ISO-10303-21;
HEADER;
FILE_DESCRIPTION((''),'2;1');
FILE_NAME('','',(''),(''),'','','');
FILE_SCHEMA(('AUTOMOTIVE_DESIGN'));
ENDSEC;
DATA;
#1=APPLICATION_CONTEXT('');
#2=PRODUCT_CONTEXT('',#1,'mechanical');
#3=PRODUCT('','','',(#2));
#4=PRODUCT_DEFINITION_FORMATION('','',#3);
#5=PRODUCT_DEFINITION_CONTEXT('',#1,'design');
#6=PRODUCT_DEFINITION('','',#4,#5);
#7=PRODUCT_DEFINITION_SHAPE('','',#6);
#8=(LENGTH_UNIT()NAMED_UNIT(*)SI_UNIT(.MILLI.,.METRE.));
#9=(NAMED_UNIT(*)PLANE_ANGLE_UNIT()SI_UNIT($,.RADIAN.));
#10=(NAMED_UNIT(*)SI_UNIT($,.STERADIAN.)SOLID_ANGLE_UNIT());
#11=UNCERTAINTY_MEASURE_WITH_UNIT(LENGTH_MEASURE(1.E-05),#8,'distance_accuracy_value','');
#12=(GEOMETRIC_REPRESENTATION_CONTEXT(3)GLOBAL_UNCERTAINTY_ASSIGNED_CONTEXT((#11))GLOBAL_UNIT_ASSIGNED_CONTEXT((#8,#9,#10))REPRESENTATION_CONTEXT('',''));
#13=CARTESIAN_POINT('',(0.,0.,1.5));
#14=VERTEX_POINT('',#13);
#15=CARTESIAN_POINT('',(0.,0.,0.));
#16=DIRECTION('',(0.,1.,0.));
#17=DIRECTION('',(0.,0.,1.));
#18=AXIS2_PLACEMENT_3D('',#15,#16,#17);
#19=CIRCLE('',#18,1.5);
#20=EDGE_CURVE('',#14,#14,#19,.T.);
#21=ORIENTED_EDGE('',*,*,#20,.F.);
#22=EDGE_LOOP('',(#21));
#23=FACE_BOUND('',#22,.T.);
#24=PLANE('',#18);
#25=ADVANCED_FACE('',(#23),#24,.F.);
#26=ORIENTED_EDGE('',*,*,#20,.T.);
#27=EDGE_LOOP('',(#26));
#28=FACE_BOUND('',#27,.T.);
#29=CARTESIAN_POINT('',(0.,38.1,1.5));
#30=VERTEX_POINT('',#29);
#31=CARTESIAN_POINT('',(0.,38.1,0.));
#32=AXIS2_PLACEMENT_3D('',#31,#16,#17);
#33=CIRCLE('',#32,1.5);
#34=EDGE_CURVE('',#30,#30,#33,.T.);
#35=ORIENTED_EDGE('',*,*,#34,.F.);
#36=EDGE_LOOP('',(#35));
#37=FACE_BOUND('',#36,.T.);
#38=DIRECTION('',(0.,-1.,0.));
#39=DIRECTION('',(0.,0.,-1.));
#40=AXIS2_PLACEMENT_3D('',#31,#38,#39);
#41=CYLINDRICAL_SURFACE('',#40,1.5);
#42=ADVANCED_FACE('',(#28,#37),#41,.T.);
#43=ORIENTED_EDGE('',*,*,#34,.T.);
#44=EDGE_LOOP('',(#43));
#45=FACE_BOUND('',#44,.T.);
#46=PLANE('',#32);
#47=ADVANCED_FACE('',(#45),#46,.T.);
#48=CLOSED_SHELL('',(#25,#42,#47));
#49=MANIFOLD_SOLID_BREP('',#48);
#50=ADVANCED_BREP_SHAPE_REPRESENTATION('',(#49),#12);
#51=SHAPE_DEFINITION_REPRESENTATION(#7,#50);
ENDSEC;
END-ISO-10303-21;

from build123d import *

# Parameters (mm, degrees)
SKETCH2_R           = 1.5
BOSS_EXTRUDE1_DEPTH = 38.1


with BuildPart() as part:
    # Sketch2 → Boss-Extrude1 (new body)
    with BuildSketch(Plane(origin=(0, 0, 0), x_dir=(1, 0, 0), z_dir=(0, 1, 0))):
        Circle(SKETCH2_R)
    extrude(amount=BOSS_EXTRUDE1_DEPTH)


solid = part.part
